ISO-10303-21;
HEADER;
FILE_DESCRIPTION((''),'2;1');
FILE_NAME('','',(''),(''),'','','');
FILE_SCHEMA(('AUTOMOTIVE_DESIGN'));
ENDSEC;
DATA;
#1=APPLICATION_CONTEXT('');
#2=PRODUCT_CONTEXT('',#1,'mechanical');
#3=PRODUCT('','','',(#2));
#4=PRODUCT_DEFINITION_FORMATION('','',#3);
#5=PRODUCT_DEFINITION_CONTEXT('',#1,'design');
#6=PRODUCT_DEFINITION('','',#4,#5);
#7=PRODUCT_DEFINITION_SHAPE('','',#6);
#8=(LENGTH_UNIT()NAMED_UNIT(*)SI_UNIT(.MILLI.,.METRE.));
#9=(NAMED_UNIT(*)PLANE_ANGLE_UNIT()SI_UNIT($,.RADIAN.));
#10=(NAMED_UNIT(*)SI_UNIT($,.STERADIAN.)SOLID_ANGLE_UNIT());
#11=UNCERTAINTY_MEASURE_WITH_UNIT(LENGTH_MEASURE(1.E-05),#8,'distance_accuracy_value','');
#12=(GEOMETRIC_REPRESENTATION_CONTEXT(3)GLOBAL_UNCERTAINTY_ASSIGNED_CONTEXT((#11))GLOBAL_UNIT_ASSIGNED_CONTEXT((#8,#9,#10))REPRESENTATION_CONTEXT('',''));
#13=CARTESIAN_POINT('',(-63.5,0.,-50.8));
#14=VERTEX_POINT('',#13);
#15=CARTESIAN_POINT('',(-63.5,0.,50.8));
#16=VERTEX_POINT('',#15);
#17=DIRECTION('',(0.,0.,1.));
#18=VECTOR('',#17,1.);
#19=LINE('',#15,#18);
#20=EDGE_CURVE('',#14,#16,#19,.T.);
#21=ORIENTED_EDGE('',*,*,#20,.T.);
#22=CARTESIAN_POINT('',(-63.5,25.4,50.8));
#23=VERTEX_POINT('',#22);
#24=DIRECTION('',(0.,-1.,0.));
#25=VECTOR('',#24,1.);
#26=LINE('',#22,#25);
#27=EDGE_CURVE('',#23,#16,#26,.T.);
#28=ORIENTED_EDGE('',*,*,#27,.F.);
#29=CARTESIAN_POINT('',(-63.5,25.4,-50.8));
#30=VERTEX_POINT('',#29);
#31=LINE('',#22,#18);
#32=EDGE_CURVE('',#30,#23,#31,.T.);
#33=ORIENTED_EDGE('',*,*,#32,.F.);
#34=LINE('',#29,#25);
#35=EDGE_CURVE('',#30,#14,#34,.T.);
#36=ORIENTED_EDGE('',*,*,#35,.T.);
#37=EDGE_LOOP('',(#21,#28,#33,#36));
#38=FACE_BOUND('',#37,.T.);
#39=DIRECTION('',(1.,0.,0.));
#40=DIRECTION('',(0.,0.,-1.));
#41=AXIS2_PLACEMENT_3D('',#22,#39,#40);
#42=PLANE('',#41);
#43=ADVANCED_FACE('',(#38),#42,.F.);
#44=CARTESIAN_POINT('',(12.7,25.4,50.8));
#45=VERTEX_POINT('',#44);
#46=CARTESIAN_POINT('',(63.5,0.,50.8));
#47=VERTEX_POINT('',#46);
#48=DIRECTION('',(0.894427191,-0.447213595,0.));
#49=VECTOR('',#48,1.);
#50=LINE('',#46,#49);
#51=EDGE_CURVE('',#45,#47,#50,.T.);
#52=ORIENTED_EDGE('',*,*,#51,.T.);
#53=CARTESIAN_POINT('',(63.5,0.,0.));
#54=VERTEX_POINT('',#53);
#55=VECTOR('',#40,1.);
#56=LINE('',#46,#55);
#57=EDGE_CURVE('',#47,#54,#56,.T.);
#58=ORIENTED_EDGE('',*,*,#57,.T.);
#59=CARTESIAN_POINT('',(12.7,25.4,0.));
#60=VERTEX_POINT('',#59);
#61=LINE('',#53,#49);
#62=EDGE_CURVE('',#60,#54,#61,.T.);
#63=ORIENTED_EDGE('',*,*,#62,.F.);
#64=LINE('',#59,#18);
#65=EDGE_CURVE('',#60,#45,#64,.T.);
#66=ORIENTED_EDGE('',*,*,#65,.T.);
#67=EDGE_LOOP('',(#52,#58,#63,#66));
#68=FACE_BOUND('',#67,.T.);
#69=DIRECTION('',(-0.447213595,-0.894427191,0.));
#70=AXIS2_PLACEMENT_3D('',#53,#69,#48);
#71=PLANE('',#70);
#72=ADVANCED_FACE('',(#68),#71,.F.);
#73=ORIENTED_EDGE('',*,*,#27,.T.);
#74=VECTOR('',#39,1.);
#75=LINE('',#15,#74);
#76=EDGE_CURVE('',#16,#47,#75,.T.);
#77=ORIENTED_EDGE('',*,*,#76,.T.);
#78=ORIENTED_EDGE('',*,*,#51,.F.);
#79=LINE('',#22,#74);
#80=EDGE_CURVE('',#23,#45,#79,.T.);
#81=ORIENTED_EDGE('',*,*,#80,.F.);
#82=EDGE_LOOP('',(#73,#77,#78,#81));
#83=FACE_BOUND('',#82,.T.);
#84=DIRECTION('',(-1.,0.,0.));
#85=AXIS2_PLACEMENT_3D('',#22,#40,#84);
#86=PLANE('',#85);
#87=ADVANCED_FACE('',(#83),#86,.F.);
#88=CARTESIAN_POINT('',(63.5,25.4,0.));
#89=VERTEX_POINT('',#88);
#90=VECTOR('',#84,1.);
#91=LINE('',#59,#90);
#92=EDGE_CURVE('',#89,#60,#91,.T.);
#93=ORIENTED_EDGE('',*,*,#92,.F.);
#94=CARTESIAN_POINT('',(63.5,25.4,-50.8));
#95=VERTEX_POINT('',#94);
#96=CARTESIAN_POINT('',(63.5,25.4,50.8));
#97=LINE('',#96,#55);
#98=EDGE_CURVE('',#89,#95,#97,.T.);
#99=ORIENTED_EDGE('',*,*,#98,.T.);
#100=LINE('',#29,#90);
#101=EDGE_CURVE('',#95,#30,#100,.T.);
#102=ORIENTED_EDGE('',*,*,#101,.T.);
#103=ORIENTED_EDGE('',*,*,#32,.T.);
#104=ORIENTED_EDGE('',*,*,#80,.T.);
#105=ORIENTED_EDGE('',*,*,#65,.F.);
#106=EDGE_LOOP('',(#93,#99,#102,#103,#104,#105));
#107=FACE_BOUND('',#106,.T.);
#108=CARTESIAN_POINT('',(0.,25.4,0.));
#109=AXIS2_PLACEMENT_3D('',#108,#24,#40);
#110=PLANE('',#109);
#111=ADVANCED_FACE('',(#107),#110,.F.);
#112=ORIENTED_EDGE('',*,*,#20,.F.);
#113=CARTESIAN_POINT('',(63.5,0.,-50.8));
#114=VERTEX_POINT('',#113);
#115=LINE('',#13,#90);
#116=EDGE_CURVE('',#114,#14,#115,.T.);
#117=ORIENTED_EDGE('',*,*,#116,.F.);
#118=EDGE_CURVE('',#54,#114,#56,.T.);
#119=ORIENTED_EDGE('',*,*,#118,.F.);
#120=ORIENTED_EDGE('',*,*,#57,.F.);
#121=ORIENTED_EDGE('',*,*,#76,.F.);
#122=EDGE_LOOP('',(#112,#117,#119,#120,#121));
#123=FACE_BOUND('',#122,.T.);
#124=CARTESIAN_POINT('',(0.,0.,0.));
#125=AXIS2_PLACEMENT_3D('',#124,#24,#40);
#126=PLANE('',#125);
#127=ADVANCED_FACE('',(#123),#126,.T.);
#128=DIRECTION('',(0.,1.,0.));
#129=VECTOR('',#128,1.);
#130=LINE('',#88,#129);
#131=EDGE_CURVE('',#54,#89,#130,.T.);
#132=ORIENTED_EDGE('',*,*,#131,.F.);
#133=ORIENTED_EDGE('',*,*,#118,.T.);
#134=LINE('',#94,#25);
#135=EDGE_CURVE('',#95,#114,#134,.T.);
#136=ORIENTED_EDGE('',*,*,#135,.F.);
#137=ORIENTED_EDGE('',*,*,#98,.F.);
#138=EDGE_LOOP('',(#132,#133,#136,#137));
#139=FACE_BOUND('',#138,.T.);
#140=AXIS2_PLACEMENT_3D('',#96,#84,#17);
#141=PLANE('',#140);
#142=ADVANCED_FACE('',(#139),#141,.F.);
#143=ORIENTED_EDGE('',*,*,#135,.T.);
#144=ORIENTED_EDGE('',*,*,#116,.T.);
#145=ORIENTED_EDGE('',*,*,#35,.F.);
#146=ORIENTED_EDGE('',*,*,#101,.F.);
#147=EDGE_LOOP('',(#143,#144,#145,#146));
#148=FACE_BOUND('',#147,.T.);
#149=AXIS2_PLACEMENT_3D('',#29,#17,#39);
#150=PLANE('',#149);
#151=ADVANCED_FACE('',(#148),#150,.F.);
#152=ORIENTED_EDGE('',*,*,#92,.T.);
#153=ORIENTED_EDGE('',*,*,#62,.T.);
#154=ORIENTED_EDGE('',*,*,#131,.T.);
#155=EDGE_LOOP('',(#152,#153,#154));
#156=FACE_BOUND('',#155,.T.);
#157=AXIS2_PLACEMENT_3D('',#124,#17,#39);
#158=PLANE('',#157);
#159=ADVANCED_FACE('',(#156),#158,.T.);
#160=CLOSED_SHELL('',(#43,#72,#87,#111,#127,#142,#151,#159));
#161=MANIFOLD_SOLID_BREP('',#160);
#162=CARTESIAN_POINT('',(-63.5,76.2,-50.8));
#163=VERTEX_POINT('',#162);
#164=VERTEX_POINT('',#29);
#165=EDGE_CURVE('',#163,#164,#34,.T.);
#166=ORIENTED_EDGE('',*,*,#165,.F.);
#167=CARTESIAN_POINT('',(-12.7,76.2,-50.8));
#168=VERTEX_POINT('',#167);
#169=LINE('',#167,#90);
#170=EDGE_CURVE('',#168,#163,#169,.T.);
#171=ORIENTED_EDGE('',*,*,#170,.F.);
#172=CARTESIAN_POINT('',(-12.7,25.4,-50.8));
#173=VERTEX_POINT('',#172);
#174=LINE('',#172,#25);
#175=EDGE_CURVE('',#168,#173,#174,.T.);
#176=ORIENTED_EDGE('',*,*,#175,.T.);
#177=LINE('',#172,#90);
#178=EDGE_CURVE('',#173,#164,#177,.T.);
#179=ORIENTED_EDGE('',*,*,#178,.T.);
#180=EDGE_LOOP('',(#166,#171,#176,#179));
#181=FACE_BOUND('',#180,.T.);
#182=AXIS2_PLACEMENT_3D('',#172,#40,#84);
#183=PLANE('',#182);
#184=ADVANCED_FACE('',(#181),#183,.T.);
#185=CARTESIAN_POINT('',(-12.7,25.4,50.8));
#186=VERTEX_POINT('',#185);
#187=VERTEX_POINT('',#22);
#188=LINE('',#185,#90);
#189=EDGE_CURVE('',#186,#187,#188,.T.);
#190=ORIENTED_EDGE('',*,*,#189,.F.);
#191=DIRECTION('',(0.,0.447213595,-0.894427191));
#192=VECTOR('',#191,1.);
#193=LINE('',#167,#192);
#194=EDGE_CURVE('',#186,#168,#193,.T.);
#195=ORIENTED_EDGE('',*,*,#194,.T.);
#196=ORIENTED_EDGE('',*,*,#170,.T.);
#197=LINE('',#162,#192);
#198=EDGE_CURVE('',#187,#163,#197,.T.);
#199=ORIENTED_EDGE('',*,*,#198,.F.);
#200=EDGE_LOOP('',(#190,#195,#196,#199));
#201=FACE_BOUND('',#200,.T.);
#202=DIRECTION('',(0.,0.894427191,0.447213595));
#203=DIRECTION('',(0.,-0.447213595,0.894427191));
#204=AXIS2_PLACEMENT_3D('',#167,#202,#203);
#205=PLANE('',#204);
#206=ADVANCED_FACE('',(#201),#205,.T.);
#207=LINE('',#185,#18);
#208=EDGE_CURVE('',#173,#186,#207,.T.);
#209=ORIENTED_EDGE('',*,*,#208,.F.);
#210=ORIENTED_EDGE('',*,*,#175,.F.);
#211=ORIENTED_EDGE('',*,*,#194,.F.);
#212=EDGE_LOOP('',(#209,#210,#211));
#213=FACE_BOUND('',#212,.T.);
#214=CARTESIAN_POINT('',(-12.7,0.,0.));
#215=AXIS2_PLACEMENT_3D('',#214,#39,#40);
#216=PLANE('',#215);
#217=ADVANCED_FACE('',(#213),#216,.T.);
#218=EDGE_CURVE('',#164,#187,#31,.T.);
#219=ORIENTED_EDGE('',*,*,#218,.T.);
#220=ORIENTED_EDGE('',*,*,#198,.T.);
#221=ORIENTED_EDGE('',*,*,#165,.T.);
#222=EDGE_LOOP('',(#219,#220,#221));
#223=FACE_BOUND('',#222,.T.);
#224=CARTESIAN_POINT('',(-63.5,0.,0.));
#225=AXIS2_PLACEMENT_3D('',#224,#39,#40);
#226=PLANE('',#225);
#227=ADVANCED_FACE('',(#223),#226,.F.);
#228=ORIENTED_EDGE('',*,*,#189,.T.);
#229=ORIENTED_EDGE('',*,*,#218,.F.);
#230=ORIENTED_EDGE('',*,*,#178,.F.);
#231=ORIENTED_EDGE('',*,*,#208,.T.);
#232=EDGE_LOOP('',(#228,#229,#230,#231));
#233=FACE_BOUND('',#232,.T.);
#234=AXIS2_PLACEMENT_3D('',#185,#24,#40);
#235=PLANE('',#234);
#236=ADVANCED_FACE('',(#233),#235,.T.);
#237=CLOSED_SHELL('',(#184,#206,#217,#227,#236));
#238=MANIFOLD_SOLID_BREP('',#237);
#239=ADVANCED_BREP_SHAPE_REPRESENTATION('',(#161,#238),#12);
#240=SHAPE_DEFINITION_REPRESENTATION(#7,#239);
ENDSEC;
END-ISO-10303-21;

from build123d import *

# Parameters (mm, degrees)
SKETCH1_W           = 127
SKETCH1_H           = 101.6
BOSS_EXTRUDE1_DEPTH = 25.4
CUT_EXTRUDE1_DEPTH  = 50.8
BOSS_EXTRUDE2_DEPTH = 50.8


with BuildPart() as part:
    # Sketch1 → Boss-Extrude1 (new body)
    with BuildSketch(Plane(origin=(0, 0, 0), x_dir=(1, 0, 0), z_dir=(0, 1, 0))):
        Rectangle(SKETCH1_W, SKETCH1_H)
    extrude(amount=BOSS_EXTRUDE1_DEPTH)

    # Sketch2 → Cut-Extrude1 (cut)
    with BuildSketch(Plane.XY.offset(50.8)):
        Polygon((63.5, 0), (12.7, 25.4), (63.5, 25.4), align=None)
    extrude(amount=-CUT_EXTRUDE1_DEPTH, mode=Mode.SUBTRACT)


with BuildPart() as body_2:
    # Sketch3 → Boss-Extrude2 (new body)
    with BuildSketch(Plane.ZY.offset(63.5)):
        Polygon((-50.8, 25.4), (-50.8, 76.2), (50.8, 25.4), align=None)
    extrude(amount=-BOSS_EXTRUDE2_DEPTH)


solid = Compound([part.part, body_2.part])
